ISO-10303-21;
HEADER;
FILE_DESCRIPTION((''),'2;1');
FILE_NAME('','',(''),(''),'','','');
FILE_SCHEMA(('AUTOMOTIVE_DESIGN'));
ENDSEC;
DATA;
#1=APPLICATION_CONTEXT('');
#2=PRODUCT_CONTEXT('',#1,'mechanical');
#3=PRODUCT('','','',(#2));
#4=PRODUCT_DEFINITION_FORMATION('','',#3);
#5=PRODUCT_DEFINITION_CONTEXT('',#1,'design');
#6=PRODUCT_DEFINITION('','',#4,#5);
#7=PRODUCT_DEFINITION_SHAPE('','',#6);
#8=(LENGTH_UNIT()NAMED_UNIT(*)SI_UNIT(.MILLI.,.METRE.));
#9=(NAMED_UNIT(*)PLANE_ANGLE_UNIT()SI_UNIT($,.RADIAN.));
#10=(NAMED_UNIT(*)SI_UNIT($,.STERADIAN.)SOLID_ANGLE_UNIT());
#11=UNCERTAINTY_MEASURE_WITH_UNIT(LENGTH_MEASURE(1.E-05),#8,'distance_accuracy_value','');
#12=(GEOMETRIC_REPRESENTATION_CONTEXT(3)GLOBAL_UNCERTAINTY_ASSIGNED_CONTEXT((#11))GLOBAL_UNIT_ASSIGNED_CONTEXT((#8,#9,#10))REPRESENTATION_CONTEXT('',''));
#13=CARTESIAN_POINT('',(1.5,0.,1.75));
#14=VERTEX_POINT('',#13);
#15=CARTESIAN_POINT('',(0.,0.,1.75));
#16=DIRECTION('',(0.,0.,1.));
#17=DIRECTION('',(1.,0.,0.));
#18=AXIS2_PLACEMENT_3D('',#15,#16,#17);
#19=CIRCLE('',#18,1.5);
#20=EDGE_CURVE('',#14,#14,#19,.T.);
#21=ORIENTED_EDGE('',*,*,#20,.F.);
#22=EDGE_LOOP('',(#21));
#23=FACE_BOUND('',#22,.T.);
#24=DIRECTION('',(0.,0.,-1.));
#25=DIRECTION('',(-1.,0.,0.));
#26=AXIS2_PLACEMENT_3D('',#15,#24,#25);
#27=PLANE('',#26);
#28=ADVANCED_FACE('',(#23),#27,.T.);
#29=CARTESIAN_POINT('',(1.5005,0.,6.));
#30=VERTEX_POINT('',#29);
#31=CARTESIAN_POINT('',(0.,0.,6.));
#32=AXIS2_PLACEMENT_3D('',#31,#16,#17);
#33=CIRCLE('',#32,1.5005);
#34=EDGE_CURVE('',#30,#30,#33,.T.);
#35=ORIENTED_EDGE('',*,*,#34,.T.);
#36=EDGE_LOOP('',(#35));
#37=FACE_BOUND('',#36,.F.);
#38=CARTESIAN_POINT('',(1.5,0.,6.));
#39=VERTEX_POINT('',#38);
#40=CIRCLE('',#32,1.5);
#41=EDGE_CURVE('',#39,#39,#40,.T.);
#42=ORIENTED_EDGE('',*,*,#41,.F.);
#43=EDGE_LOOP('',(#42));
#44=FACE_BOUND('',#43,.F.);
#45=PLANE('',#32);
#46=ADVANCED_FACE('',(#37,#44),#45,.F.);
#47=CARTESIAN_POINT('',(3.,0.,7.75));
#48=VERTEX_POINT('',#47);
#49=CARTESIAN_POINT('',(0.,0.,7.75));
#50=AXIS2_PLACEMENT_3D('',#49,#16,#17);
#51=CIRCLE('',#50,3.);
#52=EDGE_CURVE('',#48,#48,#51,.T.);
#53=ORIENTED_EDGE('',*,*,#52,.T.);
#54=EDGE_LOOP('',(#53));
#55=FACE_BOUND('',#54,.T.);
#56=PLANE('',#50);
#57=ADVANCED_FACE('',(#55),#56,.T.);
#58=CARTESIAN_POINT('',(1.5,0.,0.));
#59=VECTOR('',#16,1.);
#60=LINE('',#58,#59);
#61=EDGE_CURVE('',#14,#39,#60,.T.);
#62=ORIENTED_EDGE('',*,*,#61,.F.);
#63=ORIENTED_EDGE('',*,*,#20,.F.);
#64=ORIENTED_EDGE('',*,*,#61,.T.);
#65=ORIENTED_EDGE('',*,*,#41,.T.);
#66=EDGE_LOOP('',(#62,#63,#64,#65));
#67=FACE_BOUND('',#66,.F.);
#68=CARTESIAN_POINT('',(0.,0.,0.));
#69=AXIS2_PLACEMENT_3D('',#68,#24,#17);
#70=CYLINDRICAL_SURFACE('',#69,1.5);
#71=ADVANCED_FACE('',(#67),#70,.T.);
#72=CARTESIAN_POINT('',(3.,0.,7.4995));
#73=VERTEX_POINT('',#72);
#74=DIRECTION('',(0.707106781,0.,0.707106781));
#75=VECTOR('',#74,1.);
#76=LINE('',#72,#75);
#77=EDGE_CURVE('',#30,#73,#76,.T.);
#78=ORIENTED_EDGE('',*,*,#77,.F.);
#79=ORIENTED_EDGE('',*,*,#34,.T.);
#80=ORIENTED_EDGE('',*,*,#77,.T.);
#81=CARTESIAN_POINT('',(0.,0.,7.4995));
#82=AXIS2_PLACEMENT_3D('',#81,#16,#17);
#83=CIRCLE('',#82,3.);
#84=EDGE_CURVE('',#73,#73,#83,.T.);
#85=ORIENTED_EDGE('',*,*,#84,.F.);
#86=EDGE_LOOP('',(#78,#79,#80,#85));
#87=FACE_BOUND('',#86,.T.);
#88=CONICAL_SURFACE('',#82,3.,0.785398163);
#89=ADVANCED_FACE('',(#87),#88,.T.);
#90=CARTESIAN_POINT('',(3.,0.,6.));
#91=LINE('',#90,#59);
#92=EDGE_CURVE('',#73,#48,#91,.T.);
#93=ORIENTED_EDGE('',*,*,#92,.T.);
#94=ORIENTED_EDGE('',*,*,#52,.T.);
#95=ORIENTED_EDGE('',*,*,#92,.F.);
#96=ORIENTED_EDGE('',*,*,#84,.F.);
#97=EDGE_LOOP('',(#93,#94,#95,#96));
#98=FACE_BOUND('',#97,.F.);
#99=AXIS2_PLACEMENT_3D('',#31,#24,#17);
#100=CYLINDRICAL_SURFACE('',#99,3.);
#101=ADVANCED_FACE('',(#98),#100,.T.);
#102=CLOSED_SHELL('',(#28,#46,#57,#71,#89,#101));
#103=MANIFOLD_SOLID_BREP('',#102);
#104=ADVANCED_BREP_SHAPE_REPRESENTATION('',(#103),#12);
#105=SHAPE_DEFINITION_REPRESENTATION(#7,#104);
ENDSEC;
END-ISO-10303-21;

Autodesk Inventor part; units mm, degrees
ref_plane "YZ Plane" through (0, 0, 0) normal (1, 0, 0) x (0, 1, 0)
ref_plane "XZ Plane" through (0, 0, 0) normal (0, 1, 0) x (-1, 0, 0)
ref_plane "XY Plane" through (0, 0, 0) normal (0, 0, 1) x (1, 0, 0)
sketch "スケッチ1" plane through (0, 0, 0) normal (0, 0, 1) x (1, 0, 0)
  circle A0 centre (0, 0) radius 1.5
  dimension "d0" = 3
extrude "押し出し1" add sketch "スケッチ1" along normal blind 6
sketch "スケッチ2" plane through (0, 0, 6) normal (0, 0, 1) x (1, 0, 0)
  circle A0 centre (0, 0) radius 1.5 projected
  circle A1 centre (0, 0) radius 3
  dimension "d3" = 6
extrude "押し出し2" add sketch "スケッチ2" along normal blind 1.75 contours A0 | A1
thread "ねじ1" size "M3x0.5" class "6g" standard "ANSI Metric M Profile" full length
chamfer "面取り1" distance 1.5 angle 45 1 edges at (-3, 0, 6)
sketch "スケッチ4" plane through (0, 0, 0) normal (0, 0, -1) x (-1, 0, 0)
  circle A0 centre (0, 0) radius 1.5 projected
extrude "押し出し4" cut sketch "スケッチ4" against normal blind 1.75
properties part number "SB　6mm皿ネジ" material "Steel, Mild"
